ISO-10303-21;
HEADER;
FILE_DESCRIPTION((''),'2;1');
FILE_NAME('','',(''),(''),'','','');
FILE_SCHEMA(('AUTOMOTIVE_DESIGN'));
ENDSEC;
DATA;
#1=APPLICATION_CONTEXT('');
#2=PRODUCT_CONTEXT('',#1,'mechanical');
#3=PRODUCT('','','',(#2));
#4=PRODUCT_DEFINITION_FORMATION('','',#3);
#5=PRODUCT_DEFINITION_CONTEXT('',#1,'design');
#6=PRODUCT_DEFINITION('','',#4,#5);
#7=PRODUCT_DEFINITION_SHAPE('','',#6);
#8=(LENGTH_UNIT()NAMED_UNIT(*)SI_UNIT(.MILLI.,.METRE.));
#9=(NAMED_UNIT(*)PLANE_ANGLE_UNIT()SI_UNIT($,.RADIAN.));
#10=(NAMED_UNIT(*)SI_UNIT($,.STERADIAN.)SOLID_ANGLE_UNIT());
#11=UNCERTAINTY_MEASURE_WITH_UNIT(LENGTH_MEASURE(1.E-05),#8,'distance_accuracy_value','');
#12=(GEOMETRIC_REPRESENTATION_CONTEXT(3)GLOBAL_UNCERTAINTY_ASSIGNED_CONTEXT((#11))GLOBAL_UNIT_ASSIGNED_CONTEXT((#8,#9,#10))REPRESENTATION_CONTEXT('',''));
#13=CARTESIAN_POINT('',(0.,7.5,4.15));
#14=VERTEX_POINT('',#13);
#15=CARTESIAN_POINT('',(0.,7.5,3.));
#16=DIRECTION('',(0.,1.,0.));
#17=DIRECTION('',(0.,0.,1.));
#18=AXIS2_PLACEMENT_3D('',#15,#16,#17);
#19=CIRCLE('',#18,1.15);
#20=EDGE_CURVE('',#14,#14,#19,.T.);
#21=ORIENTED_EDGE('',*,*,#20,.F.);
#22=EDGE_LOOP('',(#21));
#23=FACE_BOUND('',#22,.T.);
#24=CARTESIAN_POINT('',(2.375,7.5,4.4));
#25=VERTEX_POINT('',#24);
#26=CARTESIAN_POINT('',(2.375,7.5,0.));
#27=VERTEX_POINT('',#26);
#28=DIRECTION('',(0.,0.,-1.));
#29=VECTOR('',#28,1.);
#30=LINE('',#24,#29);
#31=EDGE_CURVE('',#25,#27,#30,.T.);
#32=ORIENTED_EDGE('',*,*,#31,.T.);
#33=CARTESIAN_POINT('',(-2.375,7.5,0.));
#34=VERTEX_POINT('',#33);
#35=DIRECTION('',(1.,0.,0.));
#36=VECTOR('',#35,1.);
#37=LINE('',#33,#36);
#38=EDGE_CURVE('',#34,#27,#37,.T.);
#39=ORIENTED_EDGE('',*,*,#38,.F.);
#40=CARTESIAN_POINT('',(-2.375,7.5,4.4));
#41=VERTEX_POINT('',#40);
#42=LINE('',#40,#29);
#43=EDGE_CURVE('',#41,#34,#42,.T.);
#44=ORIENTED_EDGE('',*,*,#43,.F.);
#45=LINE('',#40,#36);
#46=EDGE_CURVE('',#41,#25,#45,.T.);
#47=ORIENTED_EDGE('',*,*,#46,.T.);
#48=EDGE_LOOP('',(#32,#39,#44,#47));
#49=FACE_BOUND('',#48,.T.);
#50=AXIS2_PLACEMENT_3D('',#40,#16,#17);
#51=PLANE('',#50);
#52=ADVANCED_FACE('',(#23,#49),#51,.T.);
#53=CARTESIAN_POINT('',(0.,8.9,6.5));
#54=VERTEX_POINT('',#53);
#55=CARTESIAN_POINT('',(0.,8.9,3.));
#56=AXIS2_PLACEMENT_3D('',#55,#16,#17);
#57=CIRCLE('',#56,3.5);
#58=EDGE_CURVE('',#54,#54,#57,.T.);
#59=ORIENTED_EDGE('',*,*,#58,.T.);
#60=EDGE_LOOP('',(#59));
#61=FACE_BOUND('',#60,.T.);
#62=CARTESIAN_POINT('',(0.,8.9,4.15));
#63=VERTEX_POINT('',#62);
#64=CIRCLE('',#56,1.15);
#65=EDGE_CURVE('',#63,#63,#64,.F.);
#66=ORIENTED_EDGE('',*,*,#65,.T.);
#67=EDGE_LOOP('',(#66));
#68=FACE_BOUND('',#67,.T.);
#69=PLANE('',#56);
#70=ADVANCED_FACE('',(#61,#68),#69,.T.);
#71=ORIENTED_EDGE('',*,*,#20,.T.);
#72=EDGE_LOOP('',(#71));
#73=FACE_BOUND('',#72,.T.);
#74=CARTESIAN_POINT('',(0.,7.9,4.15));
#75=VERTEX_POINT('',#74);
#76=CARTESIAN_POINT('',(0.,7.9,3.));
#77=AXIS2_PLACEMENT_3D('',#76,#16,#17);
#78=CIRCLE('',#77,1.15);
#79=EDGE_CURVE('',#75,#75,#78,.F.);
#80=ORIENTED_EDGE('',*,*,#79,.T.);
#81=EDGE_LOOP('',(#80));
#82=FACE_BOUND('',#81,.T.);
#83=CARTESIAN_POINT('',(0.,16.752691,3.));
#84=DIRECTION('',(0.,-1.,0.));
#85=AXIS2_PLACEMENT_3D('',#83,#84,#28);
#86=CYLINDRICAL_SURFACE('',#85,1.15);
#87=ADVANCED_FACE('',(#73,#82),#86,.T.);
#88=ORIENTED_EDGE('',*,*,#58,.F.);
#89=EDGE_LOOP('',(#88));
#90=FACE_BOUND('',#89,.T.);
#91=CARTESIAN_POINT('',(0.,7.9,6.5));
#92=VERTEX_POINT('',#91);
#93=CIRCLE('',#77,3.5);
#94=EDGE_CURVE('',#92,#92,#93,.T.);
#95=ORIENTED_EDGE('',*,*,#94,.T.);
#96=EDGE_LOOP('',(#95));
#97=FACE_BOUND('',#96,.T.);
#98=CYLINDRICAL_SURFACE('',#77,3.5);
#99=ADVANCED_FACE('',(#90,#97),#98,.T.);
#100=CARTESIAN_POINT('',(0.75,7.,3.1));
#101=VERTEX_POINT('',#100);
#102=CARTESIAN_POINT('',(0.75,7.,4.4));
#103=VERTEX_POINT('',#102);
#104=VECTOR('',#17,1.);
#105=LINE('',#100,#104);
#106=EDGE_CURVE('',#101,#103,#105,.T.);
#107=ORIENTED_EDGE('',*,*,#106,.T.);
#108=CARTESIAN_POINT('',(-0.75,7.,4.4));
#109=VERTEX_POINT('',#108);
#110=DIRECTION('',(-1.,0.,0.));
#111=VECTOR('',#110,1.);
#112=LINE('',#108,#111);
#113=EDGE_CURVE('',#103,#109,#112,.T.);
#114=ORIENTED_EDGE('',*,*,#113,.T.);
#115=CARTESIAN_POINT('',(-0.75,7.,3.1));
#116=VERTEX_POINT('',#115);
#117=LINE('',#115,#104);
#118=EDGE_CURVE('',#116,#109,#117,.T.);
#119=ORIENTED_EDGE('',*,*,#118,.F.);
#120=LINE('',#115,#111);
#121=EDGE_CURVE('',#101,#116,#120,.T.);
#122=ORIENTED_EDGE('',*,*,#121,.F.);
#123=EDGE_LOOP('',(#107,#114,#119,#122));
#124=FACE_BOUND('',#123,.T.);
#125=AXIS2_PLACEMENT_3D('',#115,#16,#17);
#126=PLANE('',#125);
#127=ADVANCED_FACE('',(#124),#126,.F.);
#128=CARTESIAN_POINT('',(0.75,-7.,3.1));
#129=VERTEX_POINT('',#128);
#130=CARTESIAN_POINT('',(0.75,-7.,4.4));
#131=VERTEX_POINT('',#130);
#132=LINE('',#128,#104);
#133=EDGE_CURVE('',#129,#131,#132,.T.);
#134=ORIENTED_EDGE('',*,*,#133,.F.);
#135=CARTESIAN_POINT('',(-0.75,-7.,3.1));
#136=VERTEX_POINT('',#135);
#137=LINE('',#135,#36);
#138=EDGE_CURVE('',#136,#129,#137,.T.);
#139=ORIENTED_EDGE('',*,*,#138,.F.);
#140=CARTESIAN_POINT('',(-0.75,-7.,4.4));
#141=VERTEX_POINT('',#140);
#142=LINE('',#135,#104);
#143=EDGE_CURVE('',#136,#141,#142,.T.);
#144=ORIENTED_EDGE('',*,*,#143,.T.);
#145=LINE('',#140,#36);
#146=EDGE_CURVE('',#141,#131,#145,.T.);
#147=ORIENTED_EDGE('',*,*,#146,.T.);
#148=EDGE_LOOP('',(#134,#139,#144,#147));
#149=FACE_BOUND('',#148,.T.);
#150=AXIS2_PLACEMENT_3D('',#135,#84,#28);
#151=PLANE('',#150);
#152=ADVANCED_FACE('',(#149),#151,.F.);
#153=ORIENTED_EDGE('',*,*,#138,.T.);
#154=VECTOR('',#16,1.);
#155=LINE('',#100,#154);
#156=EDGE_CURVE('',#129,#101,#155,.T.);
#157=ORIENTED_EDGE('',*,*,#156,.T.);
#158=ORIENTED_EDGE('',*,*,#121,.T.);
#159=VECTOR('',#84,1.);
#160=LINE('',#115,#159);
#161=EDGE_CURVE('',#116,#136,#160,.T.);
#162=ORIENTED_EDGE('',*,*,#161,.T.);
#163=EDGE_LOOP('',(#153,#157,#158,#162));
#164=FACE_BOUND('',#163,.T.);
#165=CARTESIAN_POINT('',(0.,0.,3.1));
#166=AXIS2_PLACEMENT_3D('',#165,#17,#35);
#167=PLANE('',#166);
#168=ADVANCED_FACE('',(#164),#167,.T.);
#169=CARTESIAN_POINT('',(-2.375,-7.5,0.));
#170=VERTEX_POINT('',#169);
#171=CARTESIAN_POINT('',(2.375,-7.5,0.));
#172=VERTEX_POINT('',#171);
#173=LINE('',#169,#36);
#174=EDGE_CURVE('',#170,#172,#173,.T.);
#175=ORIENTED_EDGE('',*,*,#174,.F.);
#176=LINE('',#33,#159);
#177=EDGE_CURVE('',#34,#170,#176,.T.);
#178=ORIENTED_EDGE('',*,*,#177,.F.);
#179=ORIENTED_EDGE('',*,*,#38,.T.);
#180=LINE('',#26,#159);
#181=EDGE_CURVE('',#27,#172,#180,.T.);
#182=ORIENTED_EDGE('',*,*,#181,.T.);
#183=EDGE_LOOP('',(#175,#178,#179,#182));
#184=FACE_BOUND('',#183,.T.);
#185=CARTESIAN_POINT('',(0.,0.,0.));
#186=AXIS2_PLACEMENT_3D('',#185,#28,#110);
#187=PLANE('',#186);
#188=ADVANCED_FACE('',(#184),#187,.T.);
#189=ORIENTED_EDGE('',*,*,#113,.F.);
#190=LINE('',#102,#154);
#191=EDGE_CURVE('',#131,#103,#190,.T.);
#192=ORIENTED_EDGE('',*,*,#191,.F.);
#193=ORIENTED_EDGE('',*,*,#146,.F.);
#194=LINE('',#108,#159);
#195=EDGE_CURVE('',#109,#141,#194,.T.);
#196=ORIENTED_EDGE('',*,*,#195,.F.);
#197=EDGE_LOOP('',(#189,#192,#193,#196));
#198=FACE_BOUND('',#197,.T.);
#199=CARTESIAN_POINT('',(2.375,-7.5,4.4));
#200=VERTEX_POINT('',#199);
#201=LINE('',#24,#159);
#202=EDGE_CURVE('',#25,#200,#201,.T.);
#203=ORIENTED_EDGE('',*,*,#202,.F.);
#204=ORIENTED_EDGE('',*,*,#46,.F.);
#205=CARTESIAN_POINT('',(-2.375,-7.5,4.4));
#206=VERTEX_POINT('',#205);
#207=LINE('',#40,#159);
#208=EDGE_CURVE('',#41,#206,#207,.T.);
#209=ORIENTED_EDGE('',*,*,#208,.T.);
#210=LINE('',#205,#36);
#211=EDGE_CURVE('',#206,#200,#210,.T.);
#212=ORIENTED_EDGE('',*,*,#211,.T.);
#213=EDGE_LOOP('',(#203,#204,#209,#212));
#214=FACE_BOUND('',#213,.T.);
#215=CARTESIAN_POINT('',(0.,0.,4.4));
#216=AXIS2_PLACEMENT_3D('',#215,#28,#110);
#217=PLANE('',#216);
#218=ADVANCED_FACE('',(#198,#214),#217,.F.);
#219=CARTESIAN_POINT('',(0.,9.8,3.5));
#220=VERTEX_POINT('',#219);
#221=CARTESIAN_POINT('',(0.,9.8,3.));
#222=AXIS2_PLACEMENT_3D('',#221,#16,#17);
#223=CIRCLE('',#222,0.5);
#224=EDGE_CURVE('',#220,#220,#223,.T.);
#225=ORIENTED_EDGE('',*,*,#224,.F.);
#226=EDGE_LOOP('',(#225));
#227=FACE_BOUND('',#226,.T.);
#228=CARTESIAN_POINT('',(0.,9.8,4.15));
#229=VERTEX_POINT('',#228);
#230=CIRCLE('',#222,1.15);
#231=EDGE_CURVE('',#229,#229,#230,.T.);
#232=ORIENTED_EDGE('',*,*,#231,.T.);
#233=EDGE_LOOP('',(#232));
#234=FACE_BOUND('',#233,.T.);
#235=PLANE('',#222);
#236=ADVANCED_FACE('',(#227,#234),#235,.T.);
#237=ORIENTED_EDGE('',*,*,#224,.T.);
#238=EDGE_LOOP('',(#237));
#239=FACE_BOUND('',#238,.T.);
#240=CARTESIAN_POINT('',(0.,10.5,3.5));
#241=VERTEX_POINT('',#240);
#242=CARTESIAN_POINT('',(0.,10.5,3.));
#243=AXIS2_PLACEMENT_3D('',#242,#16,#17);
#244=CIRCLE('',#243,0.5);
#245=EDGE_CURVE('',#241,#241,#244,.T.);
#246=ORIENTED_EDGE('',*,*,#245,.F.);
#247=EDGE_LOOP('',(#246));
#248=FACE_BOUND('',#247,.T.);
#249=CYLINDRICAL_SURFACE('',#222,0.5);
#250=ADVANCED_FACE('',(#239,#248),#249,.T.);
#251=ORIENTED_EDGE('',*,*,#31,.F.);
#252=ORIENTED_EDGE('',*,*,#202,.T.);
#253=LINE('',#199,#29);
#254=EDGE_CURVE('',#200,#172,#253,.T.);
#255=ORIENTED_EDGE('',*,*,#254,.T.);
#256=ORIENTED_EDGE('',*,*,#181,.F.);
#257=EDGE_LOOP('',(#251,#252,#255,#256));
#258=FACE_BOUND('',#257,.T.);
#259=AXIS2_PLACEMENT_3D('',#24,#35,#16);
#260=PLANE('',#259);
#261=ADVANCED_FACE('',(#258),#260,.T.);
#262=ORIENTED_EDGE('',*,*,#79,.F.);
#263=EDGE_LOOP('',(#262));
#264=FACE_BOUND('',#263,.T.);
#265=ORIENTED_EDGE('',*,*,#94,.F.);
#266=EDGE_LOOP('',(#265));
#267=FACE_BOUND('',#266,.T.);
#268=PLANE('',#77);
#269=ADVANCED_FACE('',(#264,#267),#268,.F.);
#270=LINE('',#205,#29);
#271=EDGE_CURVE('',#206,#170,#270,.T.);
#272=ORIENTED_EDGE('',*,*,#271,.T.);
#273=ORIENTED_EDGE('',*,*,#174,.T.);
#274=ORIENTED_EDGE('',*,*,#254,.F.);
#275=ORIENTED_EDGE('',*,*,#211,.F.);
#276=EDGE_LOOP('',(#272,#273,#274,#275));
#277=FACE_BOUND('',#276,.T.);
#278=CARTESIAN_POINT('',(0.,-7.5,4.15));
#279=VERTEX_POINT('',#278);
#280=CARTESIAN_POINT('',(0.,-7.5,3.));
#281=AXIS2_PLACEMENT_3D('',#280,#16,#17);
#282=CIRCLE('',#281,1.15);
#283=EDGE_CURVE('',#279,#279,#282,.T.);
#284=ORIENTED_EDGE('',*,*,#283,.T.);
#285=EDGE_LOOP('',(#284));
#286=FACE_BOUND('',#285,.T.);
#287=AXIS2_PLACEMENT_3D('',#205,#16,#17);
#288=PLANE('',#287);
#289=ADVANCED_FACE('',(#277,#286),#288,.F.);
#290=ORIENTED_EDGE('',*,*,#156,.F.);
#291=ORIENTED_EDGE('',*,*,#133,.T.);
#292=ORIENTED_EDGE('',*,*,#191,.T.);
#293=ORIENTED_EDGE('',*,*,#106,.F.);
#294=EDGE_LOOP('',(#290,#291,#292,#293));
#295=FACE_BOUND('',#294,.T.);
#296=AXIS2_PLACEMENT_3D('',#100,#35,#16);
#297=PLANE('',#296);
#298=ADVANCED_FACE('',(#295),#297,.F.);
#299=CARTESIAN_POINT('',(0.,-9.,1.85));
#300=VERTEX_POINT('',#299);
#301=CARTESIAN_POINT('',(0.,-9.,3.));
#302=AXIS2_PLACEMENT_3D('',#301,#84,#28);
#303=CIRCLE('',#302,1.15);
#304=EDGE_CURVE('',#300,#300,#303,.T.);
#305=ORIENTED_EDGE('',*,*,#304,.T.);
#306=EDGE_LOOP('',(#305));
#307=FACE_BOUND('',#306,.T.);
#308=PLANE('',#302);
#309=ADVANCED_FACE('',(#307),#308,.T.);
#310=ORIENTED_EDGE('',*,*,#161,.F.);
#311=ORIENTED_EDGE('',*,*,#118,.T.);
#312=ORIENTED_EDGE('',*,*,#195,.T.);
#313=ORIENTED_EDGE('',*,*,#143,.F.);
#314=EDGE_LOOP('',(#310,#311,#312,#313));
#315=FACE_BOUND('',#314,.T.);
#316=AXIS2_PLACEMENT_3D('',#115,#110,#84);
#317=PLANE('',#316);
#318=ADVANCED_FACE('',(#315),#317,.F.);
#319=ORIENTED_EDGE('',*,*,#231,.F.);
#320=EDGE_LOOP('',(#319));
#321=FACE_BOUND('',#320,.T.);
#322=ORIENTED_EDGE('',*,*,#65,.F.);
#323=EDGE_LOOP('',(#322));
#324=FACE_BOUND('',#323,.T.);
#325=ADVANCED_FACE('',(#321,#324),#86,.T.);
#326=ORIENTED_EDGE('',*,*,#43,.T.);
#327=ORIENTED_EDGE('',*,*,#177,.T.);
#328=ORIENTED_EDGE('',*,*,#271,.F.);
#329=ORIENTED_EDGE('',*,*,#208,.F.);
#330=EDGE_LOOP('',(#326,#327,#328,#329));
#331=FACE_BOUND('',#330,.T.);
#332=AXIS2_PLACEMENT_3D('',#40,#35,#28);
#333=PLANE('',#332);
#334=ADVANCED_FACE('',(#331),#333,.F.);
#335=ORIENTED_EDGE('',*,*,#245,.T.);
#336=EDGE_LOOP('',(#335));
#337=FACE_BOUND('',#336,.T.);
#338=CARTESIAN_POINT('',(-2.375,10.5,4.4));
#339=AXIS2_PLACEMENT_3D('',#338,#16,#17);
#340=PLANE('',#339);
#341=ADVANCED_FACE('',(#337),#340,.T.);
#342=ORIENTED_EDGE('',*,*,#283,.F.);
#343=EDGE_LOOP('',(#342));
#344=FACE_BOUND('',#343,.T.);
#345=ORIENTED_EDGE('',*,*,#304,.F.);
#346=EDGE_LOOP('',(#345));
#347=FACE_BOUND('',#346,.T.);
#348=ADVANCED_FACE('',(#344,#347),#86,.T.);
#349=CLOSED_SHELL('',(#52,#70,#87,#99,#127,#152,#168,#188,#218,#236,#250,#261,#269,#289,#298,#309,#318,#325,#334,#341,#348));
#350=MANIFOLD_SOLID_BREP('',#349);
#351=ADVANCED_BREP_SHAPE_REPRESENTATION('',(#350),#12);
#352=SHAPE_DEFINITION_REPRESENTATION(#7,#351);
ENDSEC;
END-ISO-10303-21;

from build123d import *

# Parameters (mm, degrees)
ESBO_O1_W                     = 4.75
ESBO_O1_H                     = 15
RESSALTO_EXTRUS_O1_DEPTH      = 4.4
ESBO_O2_R                     = 1.15
RESSALTO_EXTRUS_O2_DEPTH      = 1.5
RESSALTO_EXTRUS_O2_DEPTH_BACK = 18
ESBO_O3_R                     = 3.5
RESSALTO_EXTRUS_O3_DEPTH      = 1
ESBO_O4_R                     = 1.15
ESBO_O4_R_2                   = 0.5
CORTE_EXTRUS_O1_DEPTH         = 0.7
ESBO_O5_W                     = 1.5
ESBO_O5_H                     = 14
CORTE_EXTRUS_O2_DEPTH         = 1.3


with BuildPart() as part:
    # Esboço1 → Ressalto-extrusão1 (new body)
    with BuildSketch(Plane.XY):
        Rectangle(ESBO_O1_W, ESBO_O1_H)
    extrude(amount=RESSALTO_EXTRUS_O1_DEPTH)

    # Esboço2 → Ressalto-extrusão2 (add, two sides)
    with BuildSketch(Plane.XZ.offset(7.5)) as ressalto_extrus_o2_sk:
        with Locations((0, 3)):
            Circle(ESBO_O2_R)
    extrude(amount=RESSALTO_EXTRUS_O2_DEPTH)
    extrude(ressalto_extrus_o2_sk.sketch, amount=-RESSALTO_EXTRUS_O2_DEPTH_BACK)

    # Esboço3 → Ressalto-extrusão3 (add)
    with BuildSketch(Plane(origin=(0, 8.9, 0), x_dir=(1, 0, 0), z_dir=(0, 1, 0))):
        with Locations((0, -3)):
            Circle(ESBO_O3_R)
    extrude(amount=-RESSALTO_EXTRUS_O3_DEPTH)

    # Esboço4 → Corte-extrusão1 (cut)
    with BuildSketch(Plane(origin=(0, 10.5, 0), x_dir=(1, 0, 0), z_dir=(0, 1, 0))):
        with Locations((0, -3)):
            Circle(ESBO_O4_R)
        with Locations((0, -3)):
            Circle(ESBO_O4_R_2, mode=Mode.SUBTRACT)
    extrude(amount=-CORTE_EXTRUS_O1_DEPTH, mode=Mode.SUBTRACT)

    # Esboço5 → Corte-extrusão2 (cut)
    with BuildSketch(Plane.XY.offset(4.4)):
        Rectangle(ESBO_O5_W, ESBO_O5_H)
    extrude(amount=-CORTE_EXTRUS_O2_DEPTH, mode=Mode.SUBTRACT)


solid = part.part
